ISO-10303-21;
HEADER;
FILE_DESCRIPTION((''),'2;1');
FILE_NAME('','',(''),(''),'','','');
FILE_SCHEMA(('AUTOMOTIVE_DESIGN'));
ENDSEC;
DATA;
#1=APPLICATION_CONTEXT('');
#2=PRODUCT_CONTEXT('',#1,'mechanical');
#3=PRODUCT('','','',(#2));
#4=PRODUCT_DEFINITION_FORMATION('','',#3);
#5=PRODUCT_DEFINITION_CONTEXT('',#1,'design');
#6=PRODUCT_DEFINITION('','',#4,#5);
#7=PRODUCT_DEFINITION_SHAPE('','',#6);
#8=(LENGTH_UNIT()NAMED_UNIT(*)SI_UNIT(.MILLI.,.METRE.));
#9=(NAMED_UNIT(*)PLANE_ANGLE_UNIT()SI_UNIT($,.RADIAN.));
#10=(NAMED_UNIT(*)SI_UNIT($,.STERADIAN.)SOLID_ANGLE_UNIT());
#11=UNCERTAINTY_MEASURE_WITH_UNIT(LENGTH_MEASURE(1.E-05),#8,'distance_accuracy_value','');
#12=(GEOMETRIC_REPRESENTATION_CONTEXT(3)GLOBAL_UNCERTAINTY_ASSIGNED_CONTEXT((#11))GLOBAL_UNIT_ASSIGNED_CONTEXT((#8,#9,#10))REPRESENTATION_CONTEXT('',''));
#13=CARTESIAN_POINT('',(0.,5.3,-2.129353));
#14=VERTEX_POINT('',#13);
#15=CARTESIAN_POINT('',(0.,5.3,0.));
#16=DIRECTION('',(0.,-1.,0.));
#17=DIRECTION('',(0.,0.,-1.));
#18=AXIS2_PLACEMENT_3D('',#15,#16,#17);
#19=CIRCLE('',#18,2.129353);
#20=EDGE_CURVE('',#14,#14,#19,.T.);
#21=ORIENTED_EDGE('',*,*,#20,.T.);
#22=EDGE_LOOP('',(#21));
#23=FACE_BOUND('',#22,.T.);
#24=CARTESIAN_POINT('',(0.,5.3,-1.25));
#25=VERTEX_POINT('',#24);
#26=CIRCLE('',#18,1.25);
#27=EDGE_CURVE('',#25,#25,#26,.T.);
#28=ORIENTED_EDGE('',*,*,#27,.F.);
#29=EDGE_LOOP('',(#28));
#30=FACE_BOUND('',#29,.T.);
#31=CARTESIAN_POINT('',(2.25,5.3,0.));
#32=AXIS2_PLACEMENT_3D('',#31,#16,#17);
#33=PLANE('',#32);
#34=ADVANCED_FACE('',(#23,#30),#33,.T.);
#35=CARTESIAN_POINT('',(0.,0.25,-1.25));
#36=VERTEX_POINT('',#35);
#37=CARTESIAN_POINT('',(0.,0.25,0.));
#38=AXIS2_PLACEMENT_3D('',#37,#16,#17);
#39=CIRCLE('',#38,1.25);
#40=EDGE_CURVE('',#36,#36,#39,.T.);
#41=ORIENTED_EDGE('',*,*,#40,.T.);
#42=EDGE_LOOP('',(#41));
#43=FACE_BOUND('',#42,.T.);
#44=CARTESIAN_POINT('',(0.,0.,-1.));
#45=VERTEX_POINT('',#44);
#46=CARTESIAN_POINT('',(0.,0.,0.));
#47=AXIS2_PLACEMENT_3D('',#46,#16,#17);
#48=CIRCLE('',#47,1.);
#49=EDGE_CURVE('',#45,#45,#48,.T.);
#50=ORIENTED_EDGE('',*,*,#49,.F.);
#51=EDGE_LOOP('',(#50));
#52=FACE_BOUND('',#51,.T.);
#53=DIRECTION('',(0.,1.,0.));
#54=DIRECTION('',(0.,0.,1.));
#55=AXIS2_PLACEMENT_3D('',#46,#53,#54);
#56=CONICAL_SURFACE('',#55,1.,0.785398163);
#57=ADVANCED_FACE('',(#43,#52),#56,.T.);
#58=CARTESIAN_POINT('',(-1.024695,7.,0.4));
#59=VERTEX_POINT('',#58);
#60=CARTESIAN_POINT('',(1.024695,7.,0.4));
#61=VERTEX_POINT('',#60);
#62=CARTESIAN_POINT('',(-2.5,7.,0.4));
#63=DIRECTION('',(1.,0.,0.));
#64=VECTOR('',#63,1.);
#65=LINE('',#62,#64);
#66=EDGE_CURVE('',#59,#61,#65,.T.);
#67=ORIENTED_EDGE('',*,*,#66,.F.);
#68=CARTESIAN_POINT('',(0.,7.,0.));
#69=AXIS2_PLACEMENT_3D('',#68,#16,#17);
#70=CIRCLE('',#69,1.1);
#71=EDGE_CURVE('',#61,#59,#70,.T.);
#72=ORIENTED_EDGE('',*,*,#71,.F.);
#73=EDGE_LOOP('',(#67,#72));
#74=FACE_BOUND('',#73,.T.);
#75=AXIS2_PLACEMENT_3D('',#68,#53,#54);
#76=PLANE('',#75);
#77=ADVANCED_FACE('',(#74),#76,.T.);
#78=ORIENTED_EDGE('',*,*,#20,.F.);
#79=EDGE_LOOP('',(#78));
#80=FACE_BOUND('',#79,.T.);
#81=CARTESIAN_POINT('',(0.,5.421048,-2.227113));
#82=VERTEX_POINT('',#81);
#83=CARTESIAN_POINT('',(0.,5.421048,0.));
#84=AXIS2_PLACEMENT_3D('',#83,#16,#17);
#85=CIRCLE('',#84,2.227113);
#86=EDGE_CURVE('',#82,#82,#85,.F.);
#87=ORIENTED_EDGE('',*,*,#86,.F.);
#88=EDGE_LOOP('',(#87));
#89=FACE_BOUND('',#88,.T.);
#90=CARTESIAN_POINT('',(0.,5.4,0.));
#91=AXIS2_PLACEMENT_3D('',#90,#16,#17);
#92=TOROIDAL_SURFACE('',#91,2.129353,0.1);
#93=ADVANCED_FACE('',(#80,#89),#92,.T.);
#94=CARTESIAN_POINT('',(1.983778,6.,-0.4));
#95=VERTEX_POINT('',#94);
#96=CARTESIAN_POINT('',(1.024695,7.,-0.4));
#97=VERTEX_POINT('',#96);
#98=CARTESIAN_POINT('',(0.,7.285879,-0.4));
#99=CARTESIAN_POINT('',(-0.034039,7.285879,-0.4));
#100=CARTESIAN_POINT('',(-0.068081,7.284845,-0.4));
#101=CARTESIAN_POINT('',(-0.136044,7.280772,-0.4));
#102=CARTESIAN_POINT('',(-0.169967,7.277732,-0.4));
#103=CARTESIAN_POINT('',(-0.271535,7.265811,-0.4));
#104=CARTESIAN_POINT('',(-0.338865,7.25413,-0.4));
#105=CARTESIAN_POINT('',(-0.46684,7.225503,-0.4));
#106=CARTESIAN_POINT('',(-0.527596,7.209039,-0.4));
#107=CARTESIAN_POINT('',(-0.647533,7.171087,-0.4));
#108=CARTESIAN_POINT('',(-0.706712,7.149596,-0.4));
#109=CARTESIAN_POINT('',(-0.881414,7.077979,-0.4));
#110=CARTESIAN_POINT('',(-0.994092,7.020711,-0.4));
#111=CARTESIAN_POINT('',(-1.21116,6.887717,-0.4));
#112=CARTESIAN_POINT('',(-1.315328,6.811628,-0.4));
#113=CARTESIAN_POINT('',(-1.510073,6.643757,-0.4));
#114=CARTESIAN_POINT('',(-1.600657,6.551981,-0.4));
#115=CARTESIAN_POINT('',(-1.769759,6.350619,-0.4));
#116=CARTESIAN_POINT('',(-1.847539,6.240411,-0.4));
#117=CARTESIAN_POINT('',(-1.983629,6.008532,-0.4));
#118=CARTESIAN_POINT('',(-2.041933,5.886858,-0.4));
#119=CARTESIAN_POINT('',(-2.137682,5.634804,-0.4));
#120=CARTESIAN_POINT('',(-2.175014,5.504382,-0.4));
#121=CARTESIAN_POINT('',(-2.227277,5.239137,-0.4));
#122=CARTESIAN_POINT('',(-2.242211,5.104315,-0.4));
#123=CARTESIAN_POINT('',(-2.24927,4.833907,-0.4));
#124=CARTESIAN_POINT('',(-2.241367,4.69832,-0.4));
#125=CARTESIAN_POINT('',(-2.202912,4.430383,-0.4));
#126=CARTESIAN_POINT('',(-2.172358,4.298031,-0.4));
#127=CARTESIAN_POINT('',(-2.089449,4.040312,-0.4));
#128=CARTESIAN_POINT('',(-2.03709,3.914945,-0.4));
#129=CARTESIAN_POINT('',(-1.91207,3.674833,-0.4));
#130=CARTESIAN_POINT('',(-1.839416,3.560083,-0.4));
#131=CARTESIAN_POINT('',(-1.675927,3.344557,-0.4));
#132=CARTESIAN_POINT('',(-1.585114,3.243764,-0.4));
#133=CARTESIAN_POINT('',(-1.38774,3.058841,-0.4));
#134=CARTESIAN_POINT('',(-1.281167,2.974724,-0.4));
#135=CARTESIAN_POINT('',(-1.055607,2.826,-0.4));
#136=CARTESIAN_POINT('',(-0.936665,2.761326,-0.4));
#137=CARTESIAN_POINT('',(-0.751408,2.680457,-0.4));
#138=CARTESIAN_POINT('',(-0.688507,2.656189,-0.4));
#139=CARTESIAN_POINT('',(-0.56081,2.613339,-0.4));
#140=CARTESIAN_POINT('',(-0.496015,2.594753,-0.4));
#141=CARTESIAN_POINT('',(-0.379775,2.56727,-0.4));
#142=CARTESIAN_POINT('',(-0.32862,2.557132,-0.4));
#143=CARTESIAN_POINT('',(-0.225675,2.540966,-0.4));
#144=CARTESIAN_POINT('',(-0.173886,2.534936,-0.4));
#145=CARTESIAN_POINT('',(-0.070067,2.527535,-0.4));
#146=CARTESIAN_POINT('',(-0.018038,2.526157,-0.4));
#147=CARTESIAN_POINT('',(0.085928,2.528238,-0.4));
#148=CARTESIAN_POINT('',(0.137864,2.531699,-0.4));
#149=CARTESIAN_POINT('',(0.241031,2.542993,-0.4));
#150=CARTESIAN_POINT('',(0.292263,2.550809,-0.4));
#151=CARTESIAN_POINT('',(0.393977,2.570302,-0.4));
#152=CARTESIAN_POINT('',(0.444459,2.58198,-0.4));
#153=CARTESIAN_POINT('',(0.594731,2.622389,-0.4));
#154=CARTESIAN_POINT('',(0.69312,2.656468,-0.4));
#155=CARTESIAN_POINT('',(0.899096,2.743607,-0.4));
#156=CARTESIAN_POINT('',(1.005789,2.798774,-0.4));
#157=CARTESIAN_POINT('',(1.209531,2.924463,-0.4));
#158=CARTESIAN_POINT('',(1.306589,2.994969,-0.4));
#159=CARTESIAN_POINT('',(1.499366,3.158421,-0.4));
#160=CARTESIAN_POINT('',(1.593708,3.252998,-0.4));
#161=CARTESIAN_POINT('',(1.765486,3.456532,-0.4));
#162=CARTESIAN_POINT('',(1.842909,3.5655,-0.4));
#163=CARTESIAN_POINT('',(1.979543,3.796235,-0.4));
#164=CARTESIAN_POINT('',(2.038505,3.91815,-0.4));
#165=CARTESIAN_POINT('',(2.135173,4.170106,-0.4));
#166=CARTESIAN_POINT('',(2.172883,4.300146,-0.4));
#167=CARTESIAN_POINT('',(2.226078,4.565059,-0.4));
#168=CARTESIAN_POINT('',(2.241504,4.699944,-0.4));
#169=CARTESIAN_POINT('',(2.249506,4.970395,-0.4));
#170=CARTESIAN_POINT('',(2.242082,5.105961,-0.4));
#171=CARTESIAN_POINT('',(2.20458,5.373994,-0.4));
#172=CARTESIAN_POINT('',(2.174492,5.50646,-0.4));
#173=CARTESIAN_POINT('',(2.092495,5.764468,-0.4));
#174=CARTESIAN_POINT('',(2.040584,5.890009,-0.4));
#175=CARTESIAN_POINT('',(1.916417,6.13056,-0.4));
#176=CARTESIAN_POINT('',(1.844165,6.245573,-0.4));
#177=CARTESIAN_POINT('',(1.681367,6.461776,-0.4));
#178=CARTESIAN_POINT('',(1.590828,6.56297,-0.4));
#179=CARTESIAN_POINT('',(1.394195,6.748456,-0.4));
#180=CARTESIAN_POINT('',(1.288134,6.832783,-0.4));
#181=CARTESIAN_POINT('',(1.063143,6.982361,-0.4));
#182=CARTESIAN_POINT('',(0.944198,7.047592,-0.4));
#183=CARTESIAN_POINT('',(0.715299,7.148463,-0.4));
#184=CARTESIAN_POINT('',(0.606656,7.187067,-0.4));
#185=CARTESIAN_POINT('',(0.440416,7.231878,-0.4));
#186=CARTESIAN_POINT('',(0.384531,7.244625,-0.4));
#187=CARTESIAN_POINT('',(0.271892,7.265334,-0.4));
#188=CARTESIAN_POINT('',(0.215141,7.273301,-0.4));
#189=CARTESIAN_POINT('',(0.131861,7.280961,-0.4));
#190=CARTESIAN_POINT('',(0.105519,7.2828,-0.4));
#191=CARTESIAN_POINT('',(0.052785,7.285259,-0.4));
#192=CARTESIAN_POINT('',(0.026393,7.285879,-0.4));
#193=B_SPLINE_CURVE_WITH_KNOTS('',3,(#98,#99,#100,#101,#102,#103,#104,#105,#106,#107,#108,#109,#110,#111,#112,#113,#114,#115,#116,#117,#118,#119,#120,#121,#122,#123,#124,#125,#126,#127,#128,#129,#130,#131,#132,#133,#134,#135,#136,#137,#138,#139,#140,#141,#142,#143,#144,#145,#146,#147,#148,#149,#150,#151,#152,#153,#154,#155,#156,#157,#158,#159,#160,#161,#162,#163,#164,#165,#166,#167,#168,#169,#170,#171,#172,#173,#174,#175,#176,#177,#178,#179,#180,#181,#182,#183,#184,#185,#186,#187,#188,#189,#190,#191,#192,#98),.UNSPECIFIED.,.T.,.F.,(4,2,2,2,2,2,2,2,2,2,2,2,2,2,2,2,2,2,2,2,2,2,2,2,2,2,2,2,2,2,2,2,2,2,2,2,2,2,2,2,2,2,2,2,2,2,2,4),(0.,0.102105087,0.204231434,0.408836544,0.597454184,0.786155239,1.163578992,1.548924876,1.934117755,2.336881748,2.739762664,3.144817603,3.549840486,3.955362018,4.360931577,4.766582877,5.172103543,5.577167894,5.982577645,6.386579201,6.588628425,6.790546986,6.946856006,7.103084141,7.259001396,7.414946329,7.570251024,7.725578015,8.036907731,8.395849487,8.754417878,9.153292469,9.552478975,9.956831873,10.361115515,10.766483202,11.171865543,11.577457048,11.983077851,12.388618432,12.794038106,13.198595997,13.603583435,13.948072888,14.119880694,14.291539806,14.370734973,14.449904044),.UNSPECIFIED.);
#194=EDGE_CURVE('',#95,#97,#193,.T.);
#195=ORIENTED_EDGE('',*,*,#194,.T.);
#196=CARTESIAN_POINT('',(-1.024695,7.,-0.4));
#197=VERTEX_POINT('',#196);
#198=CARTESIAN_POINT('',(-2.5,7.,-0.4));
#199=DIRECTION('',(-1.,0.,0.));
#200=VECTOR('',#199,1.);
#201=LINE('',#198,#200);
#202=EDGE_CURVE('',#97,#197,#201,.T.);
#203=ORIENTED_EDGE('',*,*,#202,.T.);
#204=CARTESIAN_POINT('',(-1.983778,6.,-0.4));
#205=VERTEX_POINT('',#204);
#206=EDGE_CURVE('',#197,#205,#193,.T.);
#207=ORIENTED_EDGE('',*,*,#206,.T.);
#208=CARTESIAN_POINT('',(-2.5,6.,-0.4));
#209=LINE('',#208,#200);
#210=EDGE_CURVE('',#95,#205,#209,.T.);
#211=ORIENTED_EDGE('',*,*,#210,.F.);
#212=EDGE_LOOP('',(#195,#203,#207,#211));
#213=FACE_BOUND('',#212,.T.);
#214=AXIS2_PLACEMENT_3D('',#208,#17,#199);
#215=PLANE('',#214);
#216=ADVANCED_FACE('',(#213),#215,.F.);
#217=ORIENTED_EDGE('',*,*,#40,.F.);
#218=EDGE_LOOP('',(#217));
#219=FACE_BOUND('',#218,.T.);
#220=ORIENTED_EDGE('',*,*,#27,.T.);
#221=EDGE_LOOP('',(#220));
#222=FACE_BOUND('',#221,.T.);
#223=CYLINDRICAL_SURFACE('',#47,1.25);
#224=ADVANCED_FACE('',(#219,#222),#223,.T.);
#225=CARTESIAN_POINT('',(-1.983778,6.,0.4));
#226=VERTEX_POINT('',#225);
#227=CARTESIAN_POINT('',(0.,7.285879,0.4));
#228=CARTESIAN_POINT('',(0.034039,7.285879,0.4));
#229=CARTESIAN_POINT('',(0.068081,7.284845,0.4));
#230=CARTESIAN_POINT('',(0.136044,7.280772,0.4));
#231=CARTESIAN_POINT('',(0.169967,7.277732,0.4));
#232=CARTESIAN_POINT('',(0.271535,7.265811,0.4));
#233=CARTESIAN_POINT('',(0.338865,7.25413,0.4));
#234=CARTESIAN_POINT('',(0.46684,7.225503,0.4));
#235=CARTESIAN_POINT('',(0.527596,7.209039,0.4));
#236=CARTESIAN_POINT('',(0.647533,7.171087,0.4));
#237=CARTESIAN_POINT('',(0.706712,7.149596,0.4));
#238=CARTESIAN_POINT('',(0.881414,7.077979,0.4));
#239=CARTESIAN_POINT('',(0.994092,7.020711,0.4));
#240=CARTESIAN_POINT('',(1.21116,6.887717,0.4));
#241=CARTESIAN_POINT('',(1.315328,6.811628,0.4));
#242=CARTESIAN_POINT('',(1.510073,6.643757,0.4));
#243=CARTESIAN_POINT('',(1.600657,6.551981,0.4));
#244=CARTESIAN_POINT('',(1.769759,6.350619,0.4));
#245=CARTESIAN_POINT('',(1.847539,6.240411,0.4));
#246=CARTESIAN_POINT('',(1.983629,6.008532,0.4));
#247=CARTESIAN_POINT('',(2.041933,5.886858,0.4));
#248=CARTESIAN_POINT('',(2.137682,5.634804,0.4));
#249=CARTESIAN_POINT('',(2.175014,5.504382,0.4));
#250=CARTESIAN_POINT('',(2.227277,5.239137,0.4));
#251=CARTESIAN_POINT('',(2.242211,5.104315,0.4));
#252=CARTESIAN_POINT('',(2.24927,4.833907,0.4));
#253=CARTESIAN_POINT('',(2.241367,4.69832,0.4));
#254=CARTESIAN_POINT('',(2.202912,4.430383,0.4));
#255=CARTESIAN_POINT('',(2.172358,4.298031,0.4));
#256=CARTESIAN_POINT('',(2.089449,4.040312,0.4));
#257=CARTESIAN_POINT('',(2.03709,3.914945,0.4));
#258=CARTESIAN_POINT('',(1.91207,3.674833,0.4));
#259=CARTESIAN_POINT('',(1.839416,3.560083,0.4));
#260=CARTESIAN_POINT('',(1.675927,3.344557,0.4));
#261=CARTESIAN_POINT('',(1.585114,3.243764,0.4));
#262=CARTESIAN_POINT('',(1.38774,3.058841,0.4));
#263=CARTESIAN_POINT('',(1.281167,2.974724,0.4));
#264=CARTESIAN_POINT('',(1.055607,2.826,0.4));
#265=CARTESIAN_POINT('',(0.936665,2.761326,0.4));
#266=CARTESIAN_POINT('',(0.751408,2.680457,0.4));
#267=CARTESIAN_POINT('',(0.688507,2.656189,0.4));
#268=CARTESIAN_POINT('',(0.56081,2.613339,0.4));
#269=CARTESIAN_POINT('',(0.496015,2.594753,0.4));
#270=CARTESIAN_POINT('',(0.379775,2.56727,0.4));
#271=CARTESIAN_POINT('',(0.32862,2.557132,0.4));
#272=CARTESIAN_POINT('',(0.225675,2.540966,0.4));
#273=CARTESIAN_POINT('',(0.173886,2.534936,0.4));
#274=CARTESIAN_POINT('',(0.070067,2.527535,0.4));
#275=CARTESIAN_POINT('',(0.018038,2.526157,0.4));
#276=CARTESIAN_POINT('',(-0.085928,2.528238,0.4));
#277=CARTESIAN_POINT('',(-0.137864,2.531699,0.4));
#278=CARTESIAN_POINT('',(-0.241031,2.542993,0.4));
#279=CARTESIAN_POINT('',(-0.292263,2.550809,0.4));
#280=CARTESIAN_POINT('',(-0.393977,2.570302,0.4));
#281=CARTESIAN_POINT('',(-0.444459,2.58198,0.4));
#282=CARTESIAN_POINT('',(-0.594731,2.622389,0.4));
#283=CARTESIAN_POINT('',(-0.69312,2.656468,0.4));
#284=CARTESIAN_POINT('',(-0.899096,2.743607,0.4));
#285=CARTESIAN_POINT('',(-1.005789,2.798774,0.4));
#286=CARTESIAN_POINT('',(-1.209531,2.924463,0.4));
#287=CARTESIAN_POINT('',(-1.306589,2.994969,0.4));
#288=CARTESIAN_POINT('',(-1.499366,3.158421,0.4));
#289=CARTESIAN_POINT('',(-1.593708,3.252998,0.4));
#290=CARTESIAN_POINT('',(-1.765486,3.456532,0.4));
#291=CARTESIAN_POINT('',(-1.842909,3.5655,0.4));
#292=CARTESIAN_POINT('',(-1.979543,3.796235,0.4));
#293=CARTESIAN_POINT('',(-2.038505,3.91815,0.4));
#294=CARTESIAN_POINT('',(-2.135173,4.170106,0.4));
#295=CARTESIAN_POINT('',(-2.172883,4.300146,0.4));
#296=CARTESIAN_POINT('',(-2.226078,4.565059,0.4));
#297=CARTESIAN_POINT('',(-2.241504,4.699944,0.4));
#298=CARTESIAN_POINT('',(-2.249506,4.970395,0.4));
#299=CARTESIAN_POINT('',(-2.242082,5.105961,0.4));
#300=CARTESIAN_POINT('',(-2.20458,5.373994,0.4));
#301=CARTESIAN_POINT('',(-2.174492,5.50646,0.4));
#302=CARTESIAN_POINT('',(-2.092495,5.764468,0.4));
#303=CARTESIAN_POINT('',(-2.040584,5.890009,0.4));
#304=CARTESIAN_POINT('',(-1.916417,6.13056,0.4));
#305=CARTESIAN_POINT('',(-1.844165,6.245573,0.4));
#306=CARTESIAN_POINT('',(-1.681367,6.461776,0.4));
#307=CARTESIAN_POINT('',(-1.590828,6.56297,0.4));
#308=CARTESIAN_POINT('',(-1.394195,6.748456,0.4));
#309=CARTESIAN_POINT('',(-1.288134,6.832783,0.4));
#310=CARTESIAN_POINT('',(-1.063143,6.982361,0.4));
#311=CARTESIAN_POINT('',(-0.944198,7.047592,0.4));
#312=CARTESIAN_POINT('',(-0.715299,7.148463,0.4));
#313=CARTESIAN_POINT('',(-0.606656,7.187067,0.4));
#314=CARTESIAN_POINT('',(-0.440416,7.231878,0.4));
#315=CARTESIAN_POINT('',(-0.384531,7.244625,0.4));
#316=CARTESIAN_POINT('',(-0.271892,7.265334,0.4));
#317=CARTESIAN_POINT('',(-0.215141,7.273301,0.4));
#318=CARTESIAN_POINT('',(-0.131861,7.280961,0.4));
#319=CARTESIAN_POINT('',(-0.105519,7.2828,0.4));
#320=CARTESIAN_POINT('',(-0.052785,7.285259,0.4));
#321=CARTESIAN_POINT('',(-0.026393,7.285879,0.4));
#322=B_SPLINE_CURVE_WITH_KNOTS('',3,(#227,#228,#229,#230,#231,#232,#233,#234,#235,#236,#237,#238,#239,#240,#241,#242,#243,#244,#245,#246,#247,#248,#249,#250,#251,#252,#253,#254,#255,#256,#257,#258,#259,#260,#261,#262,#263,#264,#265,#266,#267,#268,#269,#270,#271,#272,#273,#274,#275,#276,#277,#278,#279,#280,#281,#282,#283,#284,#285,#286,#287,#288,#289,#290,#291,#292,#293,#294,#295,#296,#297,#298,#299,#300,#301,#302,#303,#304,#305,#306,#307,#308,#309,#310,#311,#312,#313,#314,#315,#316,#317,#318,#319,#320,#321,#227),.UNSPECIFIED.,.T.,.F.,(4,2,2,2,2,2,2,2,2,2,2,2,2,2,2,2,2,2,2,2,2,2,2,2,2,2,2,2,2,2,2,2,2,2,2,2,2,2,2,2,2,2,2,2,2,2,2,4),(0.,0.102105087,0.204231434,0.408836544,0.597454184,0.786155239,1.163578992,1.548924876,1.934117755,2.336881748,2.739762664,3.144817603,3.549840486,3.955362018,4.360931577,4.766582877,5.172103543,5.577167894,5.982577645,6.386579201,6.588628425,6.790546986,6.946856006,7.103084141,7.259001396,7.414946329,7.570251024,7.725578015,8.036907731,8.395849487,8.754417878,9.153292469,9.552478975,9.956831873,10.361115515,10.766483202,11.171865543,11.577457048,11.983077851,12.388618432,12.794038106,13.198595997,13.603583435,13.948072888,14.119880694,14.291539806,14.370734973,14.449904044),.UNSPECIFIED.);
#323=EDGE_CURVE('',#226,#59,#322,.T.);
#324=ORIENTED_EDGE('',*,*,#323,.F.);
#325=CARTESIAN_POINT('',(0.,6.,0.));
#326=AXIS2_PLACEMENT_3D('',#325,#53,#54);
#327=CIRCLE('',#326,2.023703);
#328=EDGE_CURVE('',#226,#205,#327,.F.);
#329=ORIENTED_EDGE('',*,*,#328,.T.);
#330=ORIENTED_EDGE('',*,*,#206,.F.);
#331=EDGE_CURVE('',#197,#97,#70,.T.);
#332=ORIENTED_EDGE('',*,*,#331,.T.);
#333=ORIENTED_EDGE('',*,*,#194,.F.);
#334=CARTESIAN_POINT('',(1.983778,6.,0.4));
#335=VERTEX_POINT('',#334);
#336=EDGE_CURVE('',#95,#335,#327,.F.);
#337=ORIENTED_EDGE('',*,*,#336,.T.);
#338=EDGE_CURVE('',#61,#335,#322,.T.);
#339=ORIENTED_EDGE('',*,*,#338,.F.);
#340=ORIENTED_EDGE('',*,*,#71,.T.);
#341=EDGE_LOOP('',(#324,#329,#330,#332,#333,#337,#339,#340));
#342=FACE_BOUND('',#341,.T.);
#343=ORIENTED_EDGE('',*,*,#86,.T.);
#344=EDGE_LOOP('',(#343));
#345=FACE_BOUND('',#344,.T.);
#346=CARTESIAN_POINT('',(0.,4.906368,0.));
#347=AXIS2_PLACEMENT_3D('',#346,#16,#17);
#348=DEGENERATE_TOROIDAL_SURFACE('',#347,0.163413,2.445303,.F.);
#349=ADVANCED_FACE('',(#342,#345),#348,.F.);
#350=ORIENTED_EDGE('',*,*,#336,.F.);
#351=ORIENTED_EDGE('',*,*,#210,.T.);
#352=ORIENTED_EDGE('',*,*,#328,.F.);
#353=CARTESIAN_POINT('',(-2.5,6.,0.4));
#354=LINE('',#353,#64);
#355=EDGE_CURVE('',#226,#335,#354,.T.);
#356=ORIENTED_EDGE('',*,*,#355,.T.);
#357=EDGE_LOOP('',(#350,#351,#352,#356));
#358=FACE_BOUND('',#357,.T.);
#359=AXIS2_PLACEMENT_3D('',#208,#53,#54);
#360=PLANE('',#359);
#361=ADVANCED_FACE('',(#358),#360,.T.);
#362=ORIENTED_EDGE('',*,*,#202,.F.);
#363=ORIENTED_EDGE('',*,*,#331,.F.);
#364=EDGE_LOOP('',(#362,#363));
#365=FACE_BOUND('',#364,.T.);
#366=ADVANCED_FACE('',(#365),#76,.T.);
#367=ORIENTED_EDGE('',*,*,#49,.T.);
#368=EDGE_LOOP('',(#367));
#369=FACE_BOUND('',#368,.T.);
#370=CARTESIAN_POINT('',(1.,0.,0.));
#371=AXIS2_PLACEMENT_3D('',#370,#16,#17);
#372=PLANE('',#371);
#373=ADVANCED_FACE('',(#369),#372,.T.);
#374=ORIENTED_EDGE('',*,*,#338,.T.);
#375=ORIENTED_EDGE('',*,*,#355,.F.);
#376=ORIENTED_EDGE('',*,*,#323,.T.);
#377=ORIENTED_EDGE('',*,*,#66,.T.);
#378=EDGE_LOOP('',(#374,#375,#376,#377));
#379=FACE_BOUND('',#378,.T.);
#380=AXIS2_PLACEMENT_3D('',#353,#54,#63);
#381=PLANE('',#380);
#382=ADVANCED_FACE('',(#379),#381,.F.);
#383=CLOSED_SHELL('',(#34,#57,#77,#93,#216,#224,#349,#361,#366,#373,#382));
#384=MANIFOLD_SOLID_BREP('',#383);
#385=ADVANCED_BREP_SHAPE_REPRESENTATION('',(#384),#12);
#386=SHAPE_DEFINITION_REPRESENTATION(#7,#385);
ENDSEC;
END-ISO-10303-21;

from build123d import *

# Parameters (mm, degrees)
FILLET_1_R          = 0.1
SKETCH_3_W          = 5
SKETCH_3_H          = 0.8
CUT_EXTRUDE_2_DEPTH = 1


with BuildPart() as part:
    # Эскиз1 → Повернуть1 (revolve)
    with BuildSketch(Plane.XY):
        with BuildLine():
            Line((2.25, 5.3), (1.25, 5.3))
            Line((1.25, 5.3), (1.25, 0.25))
            Line((1.25, 0.25), (1, 0))
            Line((1, 0), (0, 0))
            Line((0, 0), (0, 7))
            Line((0, 7), (1.1, 7))
            ThreePointArc((1.1, 7), (1.861991249, 6.27649408), (2.25, 5.3))
        make_face()
    revolve(axis=Axis((0, 0, 0), (0, 1, 0)))

    # Скругление1
    fillet_1_edges = [part.edges().sort_by_distance(p)[0] for p in [
        (-2.25, 5.3, 0),
    ]]
    fillet(fillet_1_edges, radius=FILLET_1_R)

    # Эскиз3 → Вырез-Вытянуть2 (cut)
    with BuildSketch(Plane(origin=(0, 7, 0), x_dir=(-1, 0, 0), z_dir=(0, 1, 0))):
        Rectangle(SKETCH_3_W, SKETCH_3_H)
    extrude(amount=-CUT_EXTRUDE_2_DEPTH, mode=Mode.SUBTRACT)


solid = part.part
